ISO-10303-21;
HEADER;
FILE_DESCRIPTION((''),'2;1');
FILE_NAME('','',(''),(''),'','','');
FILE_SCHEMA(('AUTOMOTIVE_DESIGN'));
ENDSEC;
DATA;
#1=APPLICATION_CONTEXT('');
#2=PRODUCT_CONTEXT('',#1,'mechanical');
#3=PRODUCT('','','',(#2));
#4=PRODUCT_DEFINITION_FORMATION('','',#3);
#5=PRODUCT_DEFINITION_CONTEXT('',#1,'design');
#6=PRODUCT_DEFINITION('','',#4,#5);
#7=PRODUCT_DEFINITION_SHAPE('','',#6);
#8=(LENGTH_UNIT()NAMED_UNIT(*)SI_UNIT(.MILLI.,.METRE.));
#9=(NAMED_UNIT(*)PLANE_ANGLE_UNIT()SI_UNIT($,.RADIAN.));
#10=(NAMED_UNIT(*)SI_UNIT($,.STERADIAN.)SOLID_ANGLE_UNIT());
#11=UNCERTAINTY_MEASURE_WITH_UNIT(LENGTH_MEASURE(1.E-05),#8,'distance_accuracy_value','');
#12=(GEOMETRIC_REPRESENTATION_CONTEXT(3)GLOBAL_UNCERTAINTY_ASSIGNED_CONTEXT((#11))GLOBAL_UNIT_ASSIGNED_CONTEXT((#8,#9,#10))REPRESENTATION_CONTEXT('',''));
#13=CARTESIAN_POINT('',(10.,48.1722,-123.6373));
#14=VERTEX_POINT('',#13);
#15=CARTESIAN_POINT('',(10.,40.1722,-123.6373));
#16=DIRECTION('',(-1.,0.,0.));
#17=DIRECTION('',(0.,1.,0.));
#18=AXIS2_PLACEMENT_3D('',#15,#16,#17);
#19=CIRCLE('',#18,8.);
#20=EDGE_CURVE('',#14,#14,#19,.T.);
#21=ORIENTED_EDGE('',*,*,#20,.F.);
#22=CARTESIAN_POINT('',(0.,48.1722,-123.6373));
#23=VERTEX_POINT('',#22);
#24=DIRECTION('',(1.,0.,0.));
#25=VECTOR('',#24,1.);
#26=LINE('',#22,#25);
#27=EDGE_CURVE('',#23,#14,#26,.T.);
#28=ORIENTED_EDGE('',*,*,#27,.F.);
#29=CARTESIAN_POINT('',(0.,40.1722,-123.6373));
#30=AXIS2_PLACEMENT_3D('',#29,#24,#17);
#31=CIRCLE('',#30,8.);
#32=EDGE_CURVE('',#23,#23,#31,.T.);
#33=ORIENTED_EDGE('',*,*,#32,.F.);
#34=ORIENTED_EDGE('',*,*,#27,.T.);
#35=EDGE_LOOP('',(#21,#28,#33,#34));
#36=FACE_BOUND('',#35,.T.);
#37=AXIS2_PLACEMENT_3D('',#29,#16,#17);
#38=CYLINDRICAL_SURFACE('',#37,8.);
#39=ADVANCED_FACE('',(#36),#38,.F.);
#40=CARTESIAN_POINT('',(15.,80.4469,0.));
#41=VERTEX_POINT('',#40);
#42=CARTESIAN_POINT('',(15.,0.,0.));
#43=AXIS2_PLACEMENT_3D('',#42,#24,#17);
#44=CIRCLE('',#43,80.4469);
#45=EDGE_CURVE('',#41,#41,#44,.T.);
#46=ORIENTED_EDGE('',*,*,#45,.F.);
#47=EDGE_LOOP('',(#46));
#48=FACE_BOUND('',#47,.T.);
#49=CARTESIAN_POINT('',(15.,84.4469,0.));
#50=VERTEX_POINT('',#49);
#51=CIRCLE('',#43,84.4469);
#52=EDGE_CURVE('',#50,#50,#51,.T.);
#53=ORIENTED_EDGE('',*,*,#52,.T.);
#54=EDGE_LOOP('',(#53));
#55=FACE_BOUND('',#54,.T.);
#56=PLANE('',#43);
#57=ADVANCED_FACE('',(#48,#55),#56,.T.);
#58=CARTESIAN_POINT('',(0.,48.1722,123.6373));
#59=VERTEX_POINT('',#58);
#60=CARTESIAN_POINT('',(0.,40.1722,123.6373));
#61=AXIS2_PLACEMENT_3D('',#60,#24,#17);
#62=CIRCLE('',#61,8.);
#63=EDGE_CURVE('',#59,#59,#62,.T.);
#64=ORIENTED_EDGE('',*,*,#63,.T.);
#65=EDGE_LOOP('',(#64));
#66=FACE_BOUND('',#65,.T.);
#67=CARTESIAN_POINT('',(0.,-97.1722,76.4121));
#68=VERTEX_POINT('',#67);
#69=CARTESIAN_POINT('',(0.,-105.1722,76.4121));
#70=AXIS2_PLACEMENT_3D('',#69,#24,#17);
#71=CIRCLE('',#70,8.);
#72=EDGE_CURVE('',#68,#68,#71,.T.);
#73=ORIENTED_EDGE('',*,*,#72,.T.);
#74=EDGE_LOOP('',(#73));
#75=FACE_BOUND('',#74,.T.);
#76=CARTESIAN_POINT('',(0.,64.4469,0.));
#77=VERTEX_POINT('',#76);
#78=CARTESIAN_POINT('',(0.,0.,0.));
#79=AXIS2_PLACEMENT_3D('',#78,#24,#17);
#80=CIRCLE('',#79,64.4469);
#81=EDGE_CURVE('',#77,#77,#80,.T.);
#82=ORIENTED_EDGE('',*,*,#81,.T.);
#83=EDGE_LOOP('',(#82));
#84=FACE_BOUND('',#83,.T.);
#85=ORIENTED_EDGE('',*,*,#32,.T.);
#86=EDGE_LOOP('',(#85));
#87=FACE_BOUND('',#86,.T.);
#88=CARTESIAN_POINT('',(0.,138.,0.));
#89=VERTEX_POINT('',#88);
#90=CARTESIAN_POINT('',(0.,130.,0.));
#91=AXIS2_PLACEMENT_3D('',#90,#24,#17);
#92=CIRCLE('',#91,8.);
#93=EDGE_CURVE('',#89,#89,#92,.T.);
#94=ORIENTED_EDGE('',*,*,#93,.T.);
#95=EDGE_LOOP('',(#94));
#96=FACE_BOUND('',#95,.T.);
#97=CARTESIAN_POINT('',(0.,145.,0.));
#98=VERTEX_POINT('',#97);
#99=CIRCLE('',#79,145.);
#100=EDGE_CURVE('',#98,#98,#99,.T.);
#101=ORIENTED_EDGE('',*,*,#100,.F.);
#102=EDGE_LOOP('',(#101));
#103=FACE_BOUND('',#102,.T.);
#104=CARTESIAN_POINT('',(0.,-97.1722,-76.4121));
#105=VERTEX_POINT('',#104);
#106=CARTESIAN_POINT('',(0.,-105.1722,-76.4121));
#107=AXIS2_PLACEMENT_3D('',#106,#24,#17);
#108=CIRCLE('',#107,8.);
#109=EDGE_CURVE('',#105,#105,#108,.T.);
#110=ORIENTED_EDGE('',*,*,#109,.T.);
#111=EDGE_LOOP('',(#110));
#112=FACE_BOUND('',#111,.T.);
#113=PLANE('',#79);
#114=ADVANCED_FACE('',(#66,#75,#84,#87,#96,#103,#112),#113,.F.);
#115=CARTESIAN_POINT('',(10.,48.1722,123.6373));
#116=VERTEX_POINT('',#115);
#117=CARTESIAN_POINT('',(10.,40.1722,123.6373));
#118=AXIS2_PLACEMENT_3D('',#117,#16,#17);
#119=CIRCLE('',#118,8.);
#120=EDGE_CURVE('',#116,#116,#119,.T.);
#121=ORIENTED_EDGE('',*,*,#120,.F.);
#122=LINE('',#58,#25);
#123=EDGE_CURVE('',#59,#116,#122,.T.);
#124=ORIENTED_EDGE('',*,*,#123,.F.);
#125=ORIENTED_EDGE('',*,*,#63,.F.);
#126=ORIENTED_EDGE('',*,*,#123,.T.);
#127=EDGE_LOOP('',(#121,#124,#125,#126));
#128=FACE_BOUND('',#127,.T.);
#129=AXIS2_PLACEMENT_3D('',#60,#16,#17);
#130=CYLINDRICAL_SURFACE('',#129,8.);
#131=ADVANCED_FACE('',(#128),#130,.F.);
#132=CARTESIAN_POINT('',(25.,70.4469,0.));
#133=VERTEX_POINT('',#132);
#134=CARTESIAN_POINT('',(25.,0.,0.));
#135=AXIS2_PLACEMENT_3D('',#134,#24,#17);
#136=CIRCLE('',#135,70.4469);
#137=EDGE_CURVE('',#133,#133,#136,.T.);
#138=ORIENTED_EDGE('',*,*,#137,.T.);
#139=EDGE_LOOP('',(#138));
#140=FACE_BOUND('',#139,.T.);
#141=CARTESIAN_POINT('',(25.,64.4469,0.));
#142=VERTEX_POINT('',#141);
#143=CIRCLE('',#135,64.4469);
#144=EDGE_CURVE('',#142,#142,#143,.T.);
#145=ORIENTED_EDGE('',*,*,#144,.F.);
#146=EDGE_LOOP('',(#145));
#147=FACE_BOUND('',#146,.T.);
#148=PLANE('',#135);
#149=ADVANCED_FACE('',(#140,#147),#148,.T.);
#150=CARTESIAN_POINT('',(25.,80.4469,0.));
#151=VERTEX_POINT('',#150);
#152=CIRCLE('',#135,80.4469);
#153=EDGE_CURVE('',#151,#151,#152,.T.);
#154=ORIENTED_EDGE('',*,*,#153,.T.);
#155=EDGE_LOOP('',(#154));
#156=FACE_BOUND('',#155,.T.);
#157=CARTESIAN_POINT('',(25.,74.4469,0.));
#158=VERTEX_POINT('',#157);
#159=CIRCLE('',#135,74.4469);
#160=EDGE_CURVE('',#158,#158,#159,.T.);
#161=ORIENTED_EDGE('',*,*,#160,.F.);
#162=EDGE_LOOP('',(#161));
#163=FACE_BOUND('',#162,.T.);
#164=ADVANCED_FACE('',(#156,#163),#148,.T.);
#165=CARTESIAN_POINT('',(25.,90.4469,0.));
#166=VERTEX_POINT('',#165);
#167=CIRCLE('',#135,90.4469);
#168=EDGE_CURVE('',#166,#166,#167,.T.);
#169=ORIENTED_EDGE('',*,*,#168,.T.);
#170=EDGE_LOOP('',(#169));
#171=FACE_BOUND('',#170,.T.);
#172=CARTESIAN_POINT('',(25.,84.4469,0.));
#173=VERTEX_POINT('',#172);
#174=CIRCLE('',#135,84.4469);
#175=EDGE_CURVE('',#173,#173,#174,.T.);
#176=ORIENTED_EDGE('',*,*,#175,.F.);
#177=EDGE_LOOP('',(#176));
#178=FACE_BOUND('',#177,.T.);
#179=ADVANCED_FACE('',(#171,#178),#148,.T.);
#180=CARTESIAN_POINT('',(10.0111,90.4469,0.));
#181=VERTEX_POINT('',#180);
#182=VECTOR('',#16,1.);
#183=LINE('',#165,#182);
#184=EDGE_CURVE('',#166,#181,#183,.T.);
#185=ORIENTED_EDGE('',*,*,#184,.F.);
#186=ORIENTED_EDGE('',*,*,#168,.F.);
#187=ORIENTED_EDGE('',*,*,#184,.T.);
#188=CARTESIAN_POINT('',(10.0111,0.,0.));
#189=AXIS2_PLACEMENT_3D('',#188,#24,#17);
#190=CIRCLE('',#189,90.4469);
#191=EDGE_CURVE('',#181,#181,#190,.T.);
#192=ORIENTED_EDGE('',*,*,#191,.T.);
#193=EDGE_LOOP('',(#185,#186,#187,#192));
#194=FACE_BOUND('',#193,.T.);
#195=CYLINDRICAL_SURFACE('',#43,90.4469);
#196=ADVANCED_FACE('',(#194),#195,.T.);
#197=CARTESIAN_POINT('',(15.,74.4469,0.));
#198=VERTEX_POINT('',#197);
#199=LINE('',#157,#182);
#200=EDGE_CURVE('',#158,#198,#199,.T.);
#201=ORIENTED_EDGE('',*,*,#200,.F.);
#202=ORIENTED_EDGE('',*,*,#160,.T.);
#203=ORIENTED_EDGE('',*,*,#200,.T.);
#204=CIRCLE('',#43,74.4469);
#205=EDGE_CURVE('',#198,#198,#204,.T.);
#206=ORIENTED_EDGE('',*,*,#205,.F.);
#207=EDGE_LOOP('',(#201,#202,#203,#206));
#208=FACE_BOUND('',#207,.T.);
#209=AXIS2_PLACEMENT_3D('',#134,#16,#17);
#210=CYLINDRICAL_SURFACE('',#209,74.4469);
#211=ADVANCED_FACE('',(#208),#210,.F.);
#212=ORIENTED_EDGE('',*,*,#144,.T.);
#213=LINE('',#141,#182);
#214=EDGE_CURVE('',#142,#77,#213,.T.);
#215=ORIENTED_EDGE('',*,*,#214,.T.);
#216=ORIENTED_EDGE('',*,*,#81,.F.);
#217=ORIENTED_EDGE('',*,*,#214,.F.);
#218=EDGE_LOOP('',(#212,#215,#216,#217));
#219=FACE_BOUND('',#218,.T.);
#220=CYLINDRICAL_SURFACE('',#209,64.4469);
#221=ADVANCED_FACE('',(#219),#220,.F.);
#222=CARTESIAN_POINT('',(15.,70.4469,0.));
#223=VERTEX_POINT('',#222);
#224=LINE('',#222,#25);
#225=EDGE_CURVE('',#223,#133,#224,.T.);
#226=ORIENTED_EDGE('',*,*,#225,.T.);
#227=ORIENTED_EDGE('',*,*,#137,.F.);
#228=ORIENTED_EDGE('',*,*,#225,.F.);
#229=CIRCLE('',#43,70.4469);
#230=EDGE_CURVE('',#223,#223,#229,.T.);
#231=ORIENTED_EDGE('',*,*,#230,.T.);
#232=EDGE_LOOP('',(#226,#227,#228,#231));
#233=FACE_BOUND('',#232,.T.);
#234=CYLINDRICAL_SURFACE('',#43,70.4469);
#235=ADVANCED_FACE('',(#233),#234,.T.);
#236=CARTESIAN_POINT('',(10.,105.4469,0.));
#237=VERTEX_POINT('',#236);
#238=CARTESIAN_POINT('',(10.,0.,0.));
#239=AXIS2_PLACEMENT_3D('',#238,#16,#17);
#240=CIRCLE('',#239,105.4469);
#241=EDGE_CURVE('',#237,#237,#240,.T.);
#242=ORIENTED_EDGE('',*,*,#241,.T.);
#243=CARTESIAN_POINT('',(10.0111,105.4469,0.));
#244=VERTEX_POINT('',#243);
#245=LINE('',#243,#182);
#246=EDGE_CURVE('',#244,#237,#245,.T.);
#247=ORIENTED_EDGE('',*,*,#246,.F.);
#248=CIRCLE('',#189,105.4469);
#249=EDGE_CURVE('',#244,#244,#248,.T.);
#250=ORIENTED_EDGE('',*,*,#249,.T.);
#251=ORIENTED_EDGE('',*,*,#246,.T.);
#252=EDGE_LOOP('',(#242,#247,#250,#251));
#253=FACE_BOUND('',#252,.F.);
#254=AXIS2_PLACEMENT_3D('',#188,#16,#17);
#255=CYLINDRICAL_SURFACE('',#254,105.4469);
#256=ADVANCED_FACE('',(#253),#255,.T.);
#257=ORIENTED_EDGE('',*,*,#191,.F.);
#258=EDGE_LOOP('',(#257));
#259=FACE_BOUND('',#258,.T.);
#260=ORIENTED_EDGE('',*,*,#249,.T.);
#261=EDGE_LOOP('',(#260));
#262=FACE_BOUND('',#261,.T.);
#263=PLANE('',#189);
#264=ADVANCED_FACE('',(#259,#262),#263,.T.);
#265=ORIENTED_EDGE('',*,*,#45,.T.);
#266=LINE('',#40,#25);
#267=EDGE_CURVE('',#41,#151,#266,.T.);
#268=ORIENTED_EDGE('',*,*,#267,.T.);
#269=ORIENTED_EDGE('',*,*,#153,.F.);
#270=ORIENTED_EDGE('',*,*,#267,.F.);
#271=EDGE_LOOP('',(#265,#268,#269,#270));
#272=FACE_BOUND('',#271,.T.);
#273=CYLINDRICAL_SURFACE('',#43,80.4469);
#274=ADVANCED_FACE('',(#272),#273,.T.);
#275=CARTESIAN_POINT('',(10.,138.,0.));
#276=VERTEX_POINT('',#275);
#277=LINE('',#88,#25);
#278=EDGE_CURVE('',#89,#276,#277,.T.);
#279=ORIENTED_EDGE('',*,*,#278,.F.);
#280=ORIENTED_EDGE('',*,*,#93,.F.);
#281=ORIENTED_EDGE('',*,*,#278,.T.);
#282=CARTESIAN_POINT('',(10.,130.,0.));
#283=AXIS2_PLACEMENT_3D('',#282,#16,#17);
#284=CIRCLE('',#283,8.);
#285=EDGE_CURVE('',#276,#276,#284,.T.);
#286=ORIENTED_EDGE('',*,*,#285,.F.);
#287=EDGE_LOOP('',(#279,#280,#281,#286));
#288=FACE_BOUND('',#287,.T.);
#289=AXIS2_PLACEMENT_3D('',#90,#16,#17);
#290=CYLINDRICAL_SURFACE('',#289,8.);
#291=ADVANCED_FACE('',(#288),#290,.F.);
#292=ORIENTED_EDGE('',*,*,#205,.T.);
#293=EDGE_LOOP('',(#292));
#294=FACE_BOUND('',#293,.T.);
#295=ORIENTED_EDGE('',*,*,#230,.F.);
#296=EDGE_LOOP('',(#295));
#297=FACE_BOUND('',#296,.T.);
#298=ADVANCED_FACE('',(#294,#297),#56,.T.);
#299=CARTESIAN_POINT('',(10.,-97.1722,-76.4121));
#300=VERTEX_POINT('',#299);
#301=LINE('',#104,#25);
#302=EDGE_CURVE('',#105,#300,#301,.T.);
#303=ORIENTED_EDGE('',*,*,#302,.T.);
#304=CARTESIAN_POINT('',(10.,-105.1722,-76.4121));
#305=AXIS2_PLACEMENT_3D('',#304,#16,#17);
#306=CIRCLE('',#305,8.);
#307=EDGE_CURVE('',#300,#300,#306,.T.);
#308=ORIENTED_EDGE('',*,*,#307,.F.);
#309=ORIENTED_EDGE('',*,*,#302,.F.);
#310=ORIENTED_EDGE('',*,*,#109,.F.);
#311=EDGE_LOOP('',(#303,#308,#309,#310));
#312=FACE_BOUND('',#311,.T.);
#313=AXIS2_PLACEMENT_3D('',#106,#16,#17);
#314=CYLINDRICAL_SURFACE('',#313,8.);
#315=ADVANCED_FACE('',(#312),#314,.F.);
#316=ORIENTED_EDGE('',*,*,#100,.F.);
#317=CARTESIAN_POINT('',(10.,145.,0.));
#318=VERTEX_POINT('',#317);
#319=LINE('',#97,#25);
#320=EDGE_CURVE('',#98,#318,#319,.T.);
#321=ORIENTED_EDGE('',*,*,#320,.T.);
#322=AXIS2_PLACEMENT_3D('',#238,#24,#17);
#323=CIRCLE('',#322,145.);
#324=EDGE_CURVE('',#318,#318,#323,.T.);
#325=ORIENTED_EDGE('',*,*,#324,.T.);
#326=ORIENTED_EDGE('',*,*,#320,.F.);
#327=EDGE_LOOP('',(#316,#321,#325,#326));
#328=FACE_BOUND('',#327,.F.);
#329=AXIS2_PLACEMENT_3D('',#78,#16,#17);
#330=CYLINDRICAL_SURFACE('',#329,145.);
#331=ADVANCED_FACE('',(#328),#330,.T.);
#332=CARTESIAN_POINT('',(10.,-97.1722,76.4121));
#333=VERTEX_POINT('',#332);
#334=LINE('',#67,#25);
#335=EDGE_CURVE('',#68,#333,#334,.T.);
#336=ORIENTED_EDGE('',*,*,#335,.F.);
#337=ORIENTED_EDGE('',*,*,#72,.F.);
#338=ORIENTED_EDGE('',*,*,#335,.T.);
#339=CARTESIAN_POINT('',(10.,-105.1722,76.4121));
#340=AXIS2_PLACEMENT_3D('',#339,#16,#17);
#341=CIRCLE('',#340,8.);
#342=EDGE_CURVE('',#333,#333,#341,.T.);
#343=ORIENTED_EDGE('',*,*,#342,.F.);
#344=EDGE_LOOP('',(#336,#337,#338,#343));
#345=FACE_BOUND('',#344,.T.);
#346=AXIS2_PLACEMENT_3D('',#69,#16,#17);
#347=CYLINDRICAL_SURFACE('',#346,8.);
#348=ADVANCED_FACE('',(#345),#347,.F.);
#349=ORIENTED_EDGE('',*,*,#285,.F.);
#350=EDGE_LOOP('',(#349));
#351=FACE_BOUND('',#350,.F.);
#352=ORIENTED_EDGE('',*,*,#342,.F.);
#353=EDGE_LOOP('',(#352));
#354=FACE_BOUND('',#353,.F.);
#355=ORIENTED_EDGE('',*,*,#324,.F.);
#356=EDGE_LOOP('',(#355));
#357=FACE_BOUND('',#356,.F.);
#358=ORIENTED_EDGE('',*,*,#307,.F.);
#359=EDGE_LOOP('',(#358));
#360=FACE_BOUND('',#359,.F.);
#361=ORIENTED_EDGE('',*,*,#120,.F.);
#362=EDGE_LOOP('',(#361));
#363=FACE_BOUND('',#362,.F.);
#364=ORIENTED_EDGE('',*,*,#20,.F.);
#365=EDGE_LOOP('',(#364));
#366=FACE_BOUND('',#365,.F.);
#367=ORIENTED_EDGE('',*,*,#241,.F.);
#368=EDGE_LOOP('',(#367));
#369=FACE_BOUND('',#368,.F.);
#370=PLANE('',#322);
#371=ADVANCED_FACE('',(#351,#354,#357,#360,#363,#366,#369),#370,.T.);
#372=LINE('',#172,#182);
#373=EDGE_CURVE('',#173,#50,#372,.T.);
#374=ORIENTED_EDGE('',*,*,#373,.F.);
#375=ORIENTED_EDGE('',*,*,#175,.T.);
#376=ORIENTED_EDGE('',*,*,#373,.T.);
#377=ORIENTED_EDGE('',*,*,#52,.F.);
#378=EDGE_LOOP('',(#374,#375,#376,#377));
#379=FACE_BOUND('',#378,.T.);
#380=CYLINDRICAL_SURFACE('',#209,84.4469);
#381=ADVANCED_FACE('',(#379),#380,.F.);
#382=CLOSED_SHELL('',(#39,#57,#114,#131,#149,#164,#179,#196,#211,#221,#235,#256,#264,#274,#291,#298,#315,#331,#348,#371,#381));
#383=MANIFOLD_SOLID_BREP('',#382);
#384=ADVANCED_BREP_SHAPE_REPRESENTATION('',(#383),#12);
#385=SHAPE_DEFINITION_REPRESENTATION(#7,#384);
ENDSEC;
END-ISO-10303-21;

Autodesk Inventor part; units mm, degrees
ref_plane "YZ Plane" through (0, 0, 0) normal (1, 0, 0) x (0, 1, 0)
ref_plane "XZ Plane" through (0, 0, 0) normal (0, 1, 0) x (-1, 0, 0)
ref_plane "XY Plane" through (0, 0, 0) normal (0, 0, 1) x (1, 0, 0)
sketch "Sketch1" plane through (0, 0, 0) normal (1, 0, 0) x (0, 1, 0)
  circle A0 centre (0, 0) radius 145
  circle A1 centre (0, 0) radius 115
  circle A2 centre (0, 0) radius 130
  circle A3 centre (130, 0) radius 8
  circle A4 centre (40.1722, 123.6373) radius 8
  circle A5 centre (-105.1722, 76.4121) radius 8
  circle A6 centre (-105.1722, -76.4121) radius 8
  circle A7 centre (40.1722, -123.6373) radius 8
  dimension "d2" = 260
  dimension "d0" = 290
  dimension "d1" = 230
  dimension "d3" = 16
  dimension "d26" = 360
extrude "Extrusion1" add sketch "Sketch1" along normal blind 10 contours A0 | A3 A2 A7 A6 A5 A4
sketch "Sketch2" plane through (0, 0, 0) normal (0, 0, 1) x (1, 0, 0)
  line L0 (0, -145) -> (0, 145) projected
  line L1 (0, 115) -> (0, 115.4469)
  line L2 (0, 115.4469) -> (0, 105.4469)
  line L3 (10, -145) -> (10, 145) projected
  line L4 (10, 120.4469) -> (10, 95.4469)
  line L5 (-2, 0) -> (12, 0) projected
  line L6 (0, 105.4469) -> (0, 115)
  line L7 (10, 115) -> (10, -115) projected
  line L8 (10, 115) -> (0, 115)
  line L9 (10, 115) -> (10, 95.4469)
  line L10 (0, 95.4469) -> (0, 105.4469)
  line L11 (0, 95.4469) -> (10, 95.4469)
  point P0 (0, 0)
revolve "Revolution1" add sketch "Sketch2" angle 360 about axis through (-10, 0, 0) along (1, 0, 0) contours L0 L8 L3 L11
sketch "Sketch3" plane through (0, 0, 0) normal (0, 0, 1) x (1, 0, 0)
  line L0 (15, 90.4469) -> (25, 90.4469)
  line L1 (25, 90.4469) -> (25, 84.4469)
  line L2 (25, 84.4469) -> (15, 84.4469)
  line L3 (10.0111, 105.4469) -> (0, 105.4469)
  line L4 (0, 105.4469) -> (0, 84.4469)
  line L5 (10.0111, 105.4469) -> (0, 105.4469)
  line L6 (15, 84.4469) -> (15, 80.4469)
  line L7 (15, 80.4469) -> (25, 80.4469)
  line L8 (25, 80.4469) -> (25, 75.4469)
  line L9 (25, 75.4469) -> (25, 74.4469)
  line L10 (25, 74.4469) -> (15, 74.4469)
  line L11 (15, 74.4469) -> (15, 70.4469)
  line L12 (15, 70.4469) -> (25, 70.4469)
  line L13 (25, 70.4469) -> (25, 64.4469)
  line L14 (25, 64.4469) -> (0, 64.4469)
  line L15 (0, 64.4469) -> (0, 84.4469)
  line L16 (10.0111, 105.4469) -> (10.0111, 90.4469)
  line L17 (10.0111, 90.4469) -> (15, 90.4469)
  line L18 (-5, 0) -> (30, 0) projected
  point P0 (0, 0)
revolve "Revolution2" add sketch "Sketch3" angle 360 about axis through (-10, 0, 0) along (1, 0, 0)
thread "Thread7" size "M16x2" class "6H" standard "ANSI Metric M Profile" full length
thread "Thread8" size "M16x2" class "6H" standard "ANSI Metric M Profile" full length
thread "Thread9" size "M16x2" class "6H" standard "ANSI Metric M Profile" full length
thread "Thread10" size "M16x2" class "6H" standard "ANSI Metric M Profile" full length
thread "Thread11" size "M16x2" class "6H" standard "ANSI Metric M Profile" full length
properties part number "LABYRINTHOSeisodos"
